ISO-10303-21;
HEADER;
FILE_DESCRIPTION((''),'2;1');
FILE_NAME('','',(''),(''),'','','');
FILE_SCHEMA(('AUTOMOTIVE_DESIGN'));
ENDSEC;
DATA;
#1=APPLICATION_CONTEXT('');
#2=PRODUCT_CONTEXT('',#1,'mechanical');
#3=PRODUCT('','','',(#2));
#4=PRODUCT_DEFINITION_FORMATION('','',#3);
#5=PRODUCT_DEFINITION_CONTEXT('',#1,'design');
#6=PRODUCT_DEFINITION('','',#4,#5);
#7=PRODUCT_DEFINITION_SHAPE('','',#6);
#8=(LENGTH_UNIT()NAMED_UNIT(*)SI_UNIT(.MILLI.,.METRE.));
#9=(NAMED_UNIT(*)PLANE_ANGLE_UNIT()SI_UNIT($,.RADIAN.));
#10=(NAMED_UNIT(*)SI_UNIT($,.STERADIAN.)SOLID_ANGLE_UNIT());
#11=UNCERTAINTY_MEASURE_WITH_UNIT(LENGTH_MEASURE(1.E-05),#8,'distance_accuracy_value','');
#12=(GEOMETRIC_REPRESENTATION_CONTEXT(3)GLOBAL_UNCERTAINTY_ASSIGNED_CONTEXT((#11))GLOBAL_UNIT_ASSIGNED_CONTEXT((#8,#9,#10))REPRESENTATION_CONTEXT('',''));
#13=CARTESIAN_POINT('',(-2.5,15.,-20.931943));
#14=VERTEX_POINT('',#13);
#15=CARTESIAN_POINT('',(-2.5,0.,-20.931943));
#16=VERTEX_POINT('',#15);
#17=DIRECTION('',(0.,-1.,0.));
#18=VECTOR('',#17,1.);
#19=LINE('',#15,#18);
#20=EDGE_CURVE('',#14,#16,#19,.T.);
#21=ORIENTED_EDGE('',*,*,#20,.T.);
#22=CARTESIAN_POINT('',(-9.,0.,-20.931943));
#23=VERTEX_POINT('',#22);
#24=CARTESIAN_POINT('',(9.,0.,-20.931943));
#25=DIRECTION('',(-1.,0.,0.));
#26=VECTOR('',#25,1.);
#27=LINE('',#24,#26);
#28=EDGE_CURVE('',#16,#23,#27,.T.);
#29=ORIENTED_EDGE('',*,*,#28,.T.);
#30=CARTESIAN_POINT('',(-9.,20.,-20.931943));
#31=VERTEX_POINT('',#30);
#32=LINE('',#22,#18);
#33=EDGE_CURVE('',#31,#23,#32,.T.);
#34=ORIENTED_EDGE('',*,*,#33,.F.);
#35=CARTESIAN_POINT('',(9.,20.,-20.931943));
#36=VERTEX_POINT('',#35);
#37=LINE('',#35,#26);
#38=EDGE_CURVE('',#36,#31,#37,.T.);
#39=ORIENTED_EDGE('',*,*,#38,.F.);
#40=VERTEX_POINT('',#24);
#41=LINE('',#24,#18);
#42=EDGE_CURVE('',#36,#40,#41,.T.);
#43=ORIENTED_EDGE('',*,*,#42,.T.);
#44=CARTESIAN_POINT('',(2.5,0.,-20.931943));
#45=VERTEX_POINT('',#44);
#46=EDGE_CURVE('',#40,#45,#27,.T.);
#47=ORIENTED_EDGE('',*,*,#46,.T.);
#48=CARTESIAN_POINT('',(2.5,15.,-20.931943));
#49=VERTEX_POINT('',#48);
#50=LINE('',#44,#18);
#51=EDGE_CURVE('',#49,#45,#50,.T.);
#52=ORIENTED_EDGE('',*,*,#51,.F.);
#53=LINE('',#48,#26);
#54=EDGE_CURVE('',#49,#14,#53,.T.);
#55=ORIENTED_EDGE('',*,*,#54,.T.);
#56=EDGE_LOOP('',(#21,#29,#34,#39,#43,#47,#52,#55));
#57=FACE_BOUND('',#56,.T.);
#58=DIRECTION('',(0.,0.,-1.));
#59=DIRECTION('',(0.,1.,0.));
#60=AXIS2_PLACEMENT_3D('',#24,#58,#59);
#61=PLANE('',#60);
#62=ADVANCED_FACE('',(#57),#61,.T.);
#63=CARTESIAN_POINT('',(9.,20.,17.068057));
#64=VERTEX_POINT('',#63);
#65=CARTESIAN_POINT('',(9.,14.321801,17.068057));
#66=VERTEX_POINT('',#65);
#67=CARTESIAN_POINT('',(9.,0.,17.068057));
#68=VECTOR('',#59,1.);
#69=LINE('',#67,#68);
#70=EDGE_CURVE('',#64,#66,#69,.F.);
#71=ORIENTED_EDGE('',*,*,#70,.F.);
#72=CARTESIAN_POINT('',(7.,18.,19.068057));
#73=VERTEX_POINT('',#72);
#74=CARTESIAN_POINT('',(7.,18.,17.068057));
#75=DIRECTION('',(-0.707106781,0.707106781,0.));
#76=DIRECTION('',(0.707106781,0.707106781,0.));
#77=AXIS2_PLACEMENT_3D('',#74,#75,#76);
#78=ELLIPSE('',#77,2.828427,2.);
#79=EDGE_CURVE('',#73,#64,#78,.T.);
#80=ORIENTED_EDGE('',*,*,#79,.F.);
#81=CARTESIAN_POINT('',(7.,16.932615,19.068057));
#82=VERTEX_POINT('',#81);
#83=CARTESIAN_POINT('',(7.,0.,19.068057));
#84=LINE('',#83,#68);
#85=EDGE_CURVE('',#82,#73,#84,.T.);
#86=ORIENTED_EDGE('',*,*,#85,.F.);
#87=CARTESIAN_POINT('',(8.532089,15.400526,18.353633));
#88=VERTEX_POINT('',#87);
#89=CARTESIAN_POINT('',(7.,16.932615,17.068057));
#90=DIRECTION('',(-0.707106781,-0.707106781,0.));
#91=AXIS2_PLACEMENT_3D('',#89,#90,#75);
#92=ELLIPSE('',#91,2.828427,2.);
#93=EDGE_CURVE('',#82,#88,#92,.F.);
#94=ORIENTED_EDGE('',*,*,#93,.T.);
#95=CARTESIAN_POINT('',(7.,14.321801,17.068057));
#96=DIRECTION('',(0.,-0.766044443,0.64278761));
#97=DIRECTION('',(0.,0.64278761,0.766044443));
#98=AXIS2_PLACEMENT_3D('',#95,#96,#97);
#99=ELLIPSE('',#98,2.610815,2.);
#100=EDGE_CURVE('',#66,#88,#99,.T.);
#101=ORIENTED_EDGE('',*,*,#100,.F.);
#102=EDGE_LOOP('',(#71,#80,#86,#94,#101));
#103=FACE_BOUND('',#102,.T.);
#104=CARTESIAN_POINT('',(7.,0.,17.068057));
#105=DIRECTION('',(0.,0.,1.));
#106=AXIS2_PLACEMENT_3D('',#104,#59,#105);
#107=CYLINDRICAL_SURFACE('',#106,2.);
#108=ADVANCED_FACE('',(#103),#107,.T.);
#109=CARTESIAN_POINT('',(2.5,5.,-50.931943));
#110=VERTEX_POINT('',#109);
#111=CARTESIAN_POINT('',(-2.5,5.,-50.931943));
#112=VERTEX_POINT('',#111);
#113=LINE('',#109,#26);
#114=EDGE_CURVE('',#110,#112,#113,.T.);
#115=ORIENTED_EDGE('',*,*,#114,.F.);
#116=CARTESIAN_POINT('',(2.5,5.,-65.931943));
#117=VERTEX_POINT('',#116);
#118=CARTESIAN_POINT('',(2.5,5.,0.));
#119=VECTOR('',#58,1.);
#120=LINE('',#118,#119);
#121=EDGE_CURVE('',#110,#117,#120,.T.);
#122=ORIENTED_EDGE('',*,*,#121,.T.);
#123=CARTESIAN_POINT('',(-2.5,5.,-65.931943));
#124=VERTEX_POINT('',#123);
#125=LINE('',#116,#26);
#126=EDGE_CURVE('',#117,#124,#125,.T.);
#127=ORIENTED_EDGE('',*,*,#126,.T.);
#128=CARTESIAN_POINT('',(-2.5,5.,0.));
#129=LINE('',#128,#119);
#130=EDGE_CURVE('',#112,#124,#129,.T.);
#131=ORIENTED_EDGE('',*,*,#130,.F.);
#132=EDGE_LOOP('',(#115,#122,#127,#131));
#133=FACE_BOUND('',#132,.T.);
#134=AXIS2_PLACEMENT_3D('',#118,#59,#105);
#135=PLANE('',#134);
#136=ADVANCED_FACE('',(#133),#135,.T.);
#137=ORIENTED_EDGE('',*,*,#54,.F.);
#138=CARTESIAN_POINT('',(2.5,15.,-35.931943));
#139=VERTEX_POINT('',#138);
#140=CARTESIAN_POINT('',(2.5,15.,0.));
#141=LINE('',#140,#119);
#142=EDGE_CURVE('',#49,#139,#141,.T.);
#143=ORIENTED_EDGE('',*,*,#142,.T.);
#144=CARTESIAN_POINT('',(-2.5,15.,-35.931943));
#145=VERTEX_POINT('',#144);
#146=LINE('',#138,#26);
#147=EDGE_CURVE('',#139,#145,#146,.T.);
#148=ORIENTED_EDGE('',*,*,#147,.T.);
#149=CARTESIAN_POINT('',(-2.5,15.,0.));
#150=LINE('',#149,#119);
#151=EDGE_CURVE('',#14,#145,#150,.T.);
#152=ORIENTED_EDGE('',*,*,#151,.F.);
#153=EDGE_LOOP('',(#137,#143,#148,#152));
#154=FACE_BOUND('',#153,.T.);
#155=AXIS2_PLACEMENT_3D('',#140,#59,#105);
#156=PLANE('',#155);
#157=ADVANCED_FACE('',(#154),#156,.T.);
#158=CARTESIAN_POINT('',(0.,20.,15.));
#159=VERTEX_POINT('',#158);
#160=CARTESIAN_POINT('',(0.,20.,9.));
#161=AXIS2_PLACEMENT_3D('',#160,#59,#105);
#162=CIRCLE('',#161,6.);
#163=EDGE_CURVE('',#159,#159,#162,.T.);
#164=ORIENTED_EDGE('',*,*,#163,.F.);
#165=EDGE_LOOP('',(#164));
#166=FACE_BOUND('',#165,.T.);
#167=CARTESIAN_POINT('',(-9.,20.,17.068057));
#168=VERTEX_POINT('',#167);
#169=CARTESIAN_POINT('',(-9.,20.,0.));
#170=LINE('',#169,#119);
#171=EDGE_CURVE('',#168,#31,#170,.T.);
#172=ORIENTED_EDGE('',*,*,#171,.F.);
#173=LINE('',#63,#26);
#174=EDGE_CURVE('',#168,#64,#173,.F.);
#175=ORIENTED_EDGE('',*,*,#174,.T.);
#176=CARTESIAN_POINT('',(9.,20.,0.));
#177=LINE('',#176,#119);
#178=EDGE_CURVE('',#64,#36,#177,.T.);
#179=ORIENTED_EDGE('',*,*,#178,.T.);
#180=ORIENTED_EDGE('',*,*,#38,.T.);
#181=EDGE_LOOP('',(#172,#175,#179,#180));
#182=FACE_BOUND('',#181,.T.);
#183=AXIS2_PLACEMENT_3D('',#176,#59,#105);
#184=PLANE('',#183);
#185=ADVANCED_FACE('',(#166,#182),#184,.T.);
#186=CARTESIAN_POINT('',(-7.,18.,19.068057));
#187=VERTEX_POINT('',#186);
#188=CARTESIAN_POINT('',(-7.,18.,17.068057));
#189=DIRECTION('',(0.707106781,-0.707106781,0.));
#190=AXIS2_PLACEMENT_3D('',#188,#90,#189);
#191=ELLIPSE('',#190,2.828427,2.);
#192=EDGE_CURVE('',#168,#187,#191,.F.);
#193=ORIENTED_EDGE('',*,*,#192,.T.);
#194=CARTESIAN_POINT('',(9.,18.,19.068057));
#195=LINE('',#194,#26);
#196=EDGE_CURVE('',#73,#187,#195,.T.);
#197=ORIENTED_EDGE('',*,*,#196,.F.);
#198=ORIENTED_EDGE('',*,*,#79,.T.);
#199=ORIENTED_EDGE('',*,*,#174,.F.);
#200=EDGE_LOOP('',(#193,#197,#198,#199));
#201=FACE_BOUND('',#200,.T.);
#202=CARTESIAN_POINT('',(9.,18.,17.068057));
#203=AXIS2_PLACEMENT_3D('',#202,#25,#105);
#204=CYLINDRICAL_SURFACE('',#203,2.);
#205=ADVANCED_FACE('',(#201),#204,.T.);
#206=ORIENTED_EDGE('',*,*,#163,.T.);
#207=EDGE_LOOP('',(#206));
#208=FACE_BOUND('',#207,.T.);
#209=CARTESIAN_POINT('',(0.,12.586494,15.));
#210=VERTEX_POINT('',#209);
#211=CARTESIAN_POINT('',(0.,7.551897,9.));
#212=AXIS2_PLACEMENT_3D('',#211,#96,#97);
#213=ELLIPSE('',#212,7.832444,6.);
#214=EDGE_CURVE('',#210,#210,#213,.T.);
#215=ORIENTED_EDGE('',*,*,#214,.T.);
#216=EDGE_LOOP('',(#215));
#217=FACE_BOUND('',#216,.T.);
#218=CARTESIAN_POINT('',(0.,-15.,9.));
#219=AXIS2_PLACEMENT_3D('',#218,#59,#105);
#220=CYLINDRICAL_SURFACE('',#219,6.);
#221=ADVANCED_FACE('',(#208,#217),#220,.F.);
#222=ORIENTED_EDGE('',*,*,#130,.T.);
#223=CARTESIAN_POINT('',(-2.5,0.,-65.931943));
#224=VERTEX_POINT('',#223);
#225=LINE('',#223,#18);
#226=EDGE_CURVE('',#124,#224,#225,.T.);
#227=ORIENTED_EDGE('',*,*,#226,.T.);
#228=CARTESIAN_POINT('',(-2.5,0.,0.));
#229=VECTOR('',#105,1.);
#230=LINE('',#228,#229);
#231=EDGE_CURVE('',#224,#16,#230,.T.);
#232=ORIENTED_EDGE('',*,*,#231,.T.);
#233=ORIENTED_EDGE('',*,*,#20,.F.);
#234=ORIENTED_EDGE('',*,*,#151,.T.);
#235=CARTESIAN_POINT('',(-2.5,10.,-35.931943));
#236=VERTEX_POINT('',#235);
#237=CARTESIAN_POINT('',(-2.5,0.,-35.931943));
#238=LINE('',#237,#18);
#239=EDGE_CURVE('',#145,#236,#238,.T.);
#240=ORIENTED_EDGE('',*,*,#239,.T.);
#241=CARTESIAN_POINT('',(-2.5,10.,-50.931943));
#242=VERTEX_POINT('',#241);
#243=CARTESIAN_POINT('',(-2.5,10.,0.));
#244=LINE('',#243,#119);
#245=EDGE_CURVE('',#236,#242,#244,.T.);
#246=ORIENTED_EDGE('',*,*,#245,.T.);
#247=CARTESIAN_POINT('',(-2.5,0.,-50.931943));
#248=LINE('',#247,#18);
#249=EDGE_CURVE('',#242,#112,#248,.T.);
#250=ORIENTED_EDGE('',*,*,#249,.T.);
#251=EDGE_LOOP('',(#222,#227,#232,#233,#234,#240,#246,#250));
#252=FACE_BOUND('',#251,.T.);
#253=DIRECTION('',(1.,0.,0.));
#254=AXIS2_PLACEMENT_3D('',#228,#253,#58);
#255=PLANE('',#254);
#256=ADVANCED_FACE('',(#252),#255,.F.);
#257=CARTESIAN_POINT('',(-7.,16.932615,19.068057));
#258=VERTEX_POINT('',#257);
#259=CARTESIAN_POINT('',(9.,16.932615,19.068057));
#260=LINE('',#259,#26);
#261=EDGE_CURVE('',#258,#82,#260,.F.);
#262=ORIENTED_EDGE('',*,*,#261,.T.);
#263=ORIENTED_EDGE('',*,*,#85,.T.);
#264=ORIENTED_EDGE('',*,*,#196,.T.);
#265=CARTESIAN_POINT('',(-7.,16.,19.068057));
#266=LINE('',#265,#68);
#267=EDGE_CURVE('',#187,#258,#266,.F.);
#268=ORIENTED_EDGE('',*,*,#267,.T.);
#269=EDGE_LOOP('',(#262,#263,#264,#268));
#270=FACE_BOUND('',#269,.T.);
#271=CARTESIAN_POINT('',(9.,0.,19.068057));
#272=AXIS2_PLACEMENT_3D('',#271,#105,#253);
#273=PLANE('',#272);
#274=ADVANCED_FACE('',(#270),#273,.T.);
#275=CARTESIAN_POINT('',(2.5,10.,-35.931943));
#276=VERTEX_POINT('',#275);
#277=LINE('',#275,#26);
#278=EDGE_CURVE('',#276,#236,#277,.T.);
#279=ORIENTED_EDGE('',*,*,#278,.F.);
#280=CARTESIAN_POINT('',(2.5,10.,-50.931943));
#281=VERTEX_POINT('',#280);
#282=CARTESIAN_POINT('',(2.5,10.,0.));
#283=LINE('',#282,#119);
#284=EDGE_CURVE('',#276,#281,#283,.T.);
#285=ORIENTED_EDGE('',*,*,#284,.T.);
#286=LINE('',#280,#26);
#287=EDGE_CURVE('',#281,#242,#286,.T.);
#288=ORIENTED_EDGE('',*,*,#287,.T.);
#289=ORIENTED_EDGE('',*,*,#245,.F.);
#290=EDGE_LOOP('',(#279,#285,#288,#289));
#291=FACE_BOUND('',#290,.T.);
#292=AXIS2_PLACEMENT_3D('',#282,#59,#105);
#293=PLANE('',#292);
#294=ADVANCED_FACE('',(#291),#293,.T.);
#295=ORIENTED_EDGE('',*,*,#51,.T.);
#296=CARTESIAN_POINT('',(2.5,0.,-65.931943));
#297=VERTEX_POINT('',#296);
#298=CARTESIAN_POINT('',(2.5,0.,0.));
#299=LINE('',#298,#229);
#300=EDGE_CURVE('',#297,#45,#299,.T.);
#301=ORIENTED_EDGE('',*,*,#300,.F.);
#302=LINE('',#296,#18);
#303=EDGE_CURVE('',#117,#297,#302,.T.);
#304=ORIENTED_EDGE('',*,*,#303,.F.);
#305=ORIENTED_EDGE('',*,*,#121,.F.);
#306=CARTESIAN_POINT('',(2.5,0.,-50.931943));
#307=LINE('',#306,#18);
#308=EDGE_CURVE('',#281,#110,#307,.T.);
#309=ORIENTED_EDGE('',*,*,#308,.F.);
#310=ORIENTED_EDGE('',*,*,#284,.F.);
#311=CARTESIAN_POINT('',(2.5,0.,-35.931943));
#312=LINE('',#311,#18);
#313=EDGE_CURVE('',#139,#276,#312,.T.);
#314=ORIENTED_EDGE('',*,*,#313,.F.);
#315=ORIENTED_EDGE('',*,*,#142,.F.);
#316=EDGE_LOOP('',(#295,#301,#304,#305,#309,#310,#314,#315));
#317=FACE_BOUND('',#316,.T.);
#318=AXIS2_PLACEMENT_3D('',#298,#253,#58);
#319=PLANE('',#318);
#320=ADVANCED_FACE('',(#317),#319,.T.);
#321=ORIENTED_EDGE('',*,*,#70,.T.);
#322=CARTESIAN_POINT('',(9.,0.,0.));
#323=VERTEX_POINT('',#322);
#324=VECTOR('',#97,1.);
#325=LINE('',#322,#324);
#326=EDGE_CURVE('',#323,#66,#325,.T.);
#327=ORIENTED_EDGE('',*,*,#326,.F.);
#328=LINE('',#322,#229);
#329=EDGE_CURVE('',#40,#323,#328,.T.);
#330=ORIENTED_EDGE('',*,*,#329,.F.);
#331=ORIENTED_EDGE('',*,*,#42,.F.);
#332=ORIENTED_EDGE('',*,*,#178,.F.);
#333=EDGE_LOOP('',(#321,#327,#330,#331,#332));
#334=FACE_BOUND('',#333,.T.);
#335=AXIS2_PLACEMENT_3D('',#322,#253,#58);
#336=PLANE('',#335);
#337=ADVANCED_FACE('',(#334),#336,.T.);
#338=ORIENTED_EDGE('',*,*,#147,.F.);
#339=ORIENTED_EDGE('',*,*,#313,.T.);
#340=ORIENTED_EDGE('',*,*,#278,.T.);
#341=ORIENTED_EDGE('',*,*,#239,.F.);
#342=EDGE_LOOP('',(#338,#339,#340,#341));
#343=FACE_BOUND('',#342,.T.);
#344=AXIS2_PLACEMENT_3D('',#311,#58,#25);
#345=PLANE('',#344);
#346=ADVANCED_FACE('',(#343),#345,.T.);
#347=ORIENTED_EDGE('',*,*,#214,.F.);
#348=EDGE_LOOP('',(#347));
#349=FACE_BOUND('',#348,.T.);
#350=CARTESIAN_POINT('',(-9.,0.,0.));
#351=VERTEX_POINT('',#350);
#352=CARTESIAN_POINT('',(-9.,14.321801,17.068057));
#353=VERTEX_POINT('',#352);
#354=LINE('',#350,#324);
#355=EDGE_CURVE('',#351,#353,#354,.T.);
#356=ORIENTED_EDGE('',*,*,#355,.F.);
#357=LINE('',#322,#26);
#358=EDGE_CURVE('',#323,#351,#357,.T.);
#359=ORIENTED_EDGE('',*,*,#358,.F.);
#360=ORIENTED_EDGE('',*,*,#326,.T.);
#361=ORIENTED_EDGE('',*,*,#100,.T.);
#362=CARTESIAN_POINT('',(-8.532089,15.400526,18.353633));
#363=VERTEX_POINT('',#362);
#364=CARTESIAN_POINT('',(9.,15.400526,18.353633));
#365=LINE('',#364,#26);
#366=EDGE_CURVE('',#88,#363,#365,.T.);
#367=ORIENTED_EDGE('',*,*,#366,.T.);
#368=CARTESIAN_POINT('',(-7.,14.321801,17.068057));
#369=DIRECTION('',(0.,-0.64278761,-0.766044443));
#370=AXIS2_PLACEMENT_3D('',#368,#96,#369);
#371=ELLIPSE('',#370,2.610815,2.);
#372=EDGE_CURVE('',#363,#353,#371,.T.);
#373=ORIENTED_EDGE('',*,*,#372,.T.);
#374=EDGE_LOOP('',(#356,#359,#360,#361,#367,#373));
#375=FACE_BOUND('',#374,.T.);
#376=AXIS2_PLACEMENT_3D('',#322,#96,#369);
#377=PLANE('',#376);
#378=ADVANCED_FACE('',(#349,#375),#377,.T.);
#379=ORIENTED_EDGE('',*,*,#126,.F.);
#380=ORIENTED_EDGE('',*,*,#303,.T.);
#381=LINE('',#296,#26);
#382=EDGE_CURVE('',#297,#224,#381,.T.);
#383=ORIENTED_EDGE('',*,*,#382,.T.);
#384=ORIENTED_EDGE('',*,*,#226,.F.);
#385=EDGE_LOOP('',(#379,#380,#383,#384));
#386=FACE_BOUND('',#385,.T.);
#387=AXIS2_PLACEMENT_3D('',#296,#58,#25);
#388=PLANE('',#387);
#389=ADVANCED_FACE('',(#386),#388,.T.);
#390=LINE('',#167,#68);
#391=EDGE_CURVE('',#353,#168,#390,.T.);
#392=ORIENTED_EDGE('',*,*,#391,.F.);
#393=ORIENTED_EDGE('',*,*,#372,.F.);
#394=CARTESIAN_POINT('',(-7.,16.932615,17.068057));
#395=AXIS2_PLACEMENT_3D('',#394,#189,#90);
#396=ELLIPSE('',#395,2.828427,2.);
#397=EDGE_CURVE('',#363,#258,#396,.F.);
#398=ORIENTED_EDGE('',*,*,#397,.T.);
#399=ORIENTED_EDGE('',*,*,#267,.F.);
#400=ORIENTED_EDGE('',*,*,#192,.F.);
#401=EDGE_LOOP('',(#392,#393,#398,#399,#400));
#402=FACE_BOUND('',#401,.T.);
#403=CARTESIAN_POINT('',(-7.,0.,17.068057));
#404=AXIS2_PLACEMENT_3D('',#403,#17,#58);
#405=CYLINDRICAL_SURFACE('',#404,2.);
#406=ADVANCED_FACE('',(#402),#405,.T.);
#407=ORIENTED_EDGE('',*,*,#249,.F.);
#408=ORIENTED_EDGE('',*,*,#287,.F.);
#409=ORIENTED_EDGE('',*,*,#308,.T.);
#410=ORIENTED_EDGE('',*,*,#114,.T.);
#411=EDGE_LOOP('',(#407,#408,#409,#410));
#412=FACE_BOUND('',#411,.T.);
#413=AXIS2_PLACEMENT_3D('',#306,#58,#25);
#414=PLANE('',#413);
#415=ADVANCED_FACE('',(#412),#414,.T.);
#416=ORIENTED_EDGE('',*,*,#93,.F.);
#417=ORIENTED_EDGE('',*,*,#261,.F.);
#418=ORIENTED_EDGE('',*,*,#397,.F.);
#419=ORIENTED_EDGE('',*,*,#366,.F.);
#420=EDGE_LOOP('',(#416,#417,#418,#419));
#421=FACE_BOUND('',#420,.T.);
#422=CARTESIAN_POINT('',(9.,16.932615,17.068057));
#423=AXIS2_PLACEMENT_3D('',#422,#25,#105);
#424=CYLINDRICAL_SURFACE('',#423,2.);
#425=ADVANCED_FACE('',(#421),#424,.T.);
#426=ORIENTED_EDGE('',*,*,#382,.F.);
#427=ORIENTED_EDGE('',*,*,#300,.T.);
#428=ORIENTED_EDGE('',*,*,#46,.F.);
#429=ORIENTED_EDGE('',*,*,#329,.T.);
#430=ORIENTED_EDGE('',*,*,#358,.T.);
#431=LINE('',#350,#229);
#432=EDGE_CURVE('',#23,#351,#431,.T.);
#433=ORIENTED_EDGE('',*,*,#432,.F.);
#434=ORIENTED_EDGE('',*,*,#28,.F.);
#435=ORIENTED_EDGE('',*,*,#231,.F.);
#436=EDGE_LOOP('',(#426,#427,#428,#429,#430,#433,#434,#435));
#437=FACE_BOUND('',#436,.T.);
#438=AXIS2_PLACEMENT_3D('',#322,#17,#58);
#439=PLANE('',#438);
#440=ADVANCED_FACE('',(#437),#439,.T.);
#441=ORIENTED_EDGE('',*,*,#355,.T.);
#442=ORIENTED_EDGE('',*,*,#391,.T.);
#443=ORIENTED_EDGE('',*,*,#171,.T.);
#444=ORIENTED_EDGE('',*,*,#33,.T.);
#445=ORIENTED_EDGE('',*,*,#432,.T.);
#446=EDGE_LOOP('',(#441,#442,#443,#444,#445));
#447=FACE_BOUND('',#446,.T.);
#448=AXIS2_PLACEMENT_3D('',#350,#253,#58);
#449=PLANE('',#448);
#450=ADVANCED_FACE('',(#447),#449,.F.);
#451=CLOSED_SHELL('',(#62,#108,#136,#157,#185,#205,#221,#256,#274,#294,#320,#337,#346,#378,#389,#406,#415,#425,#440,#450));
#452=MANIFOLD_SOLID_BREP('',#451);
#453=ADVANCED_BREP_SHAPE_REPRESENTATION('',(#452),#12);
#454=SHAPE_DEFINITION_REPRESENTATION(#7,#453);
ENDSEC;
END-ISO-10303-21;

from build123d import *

# Parameters (mm, degrees)
EXTRUDE_1_DEPTH     = 9
EXTRUDE_2_DEPTH     = 2.5
SKETCH_2_R          = 6
CUT_EXTRUDE_1_DEPTH = 35
FILLET_2_R          = 2


with BuildPart() as part:
    # Эскиз1 → Бобышка-Вытянуть1 (new, symmetric)
    with BuildSketch(Plane(origin=(0, 0, 0), x_dir=(0, 0, -1), z_dir=(1, 0, 0))):
        Polygon((-19.068057482, 16), (0, 0), (20.931942518, 0), (20.931942518, 15), (20.931942518, 20), (-19.068057482, 20), align=None)
    extrude(amount=EXTRUDE_1_DEPTH, both=True)

    # Эскиз1<3> → Бобышка-Вытянуть2 (add, symmetric)
    with BuildSketch(Plane(origin=(0, 0, 0), x_dir=(0, 0, -1), z_dir=(1, 0, 0))):
        Polygon((20.931942518, 15), (20.931942518, 0), (65.931942518, 0), (65.931942518, 5), (50.931942518, 5), (50.931942518, 10), (35.931942518, 10), (35.931942518, 15), align=None)
    extrude(amount=EXTRUDE_2_DEPTH, both=True)

    # Эскиз2 → Вырез-Вытянуть1 (cut)
    with BuildSketch(Plane(origin=(0, 20, 0), x_dir=(1, 0, 0), z_dir=(0, 1, 0))):
        with Locations((0, -9)):
            Circle(SKETCH_2_R)
    extrude(amount=-CUT_EXTRUDE_1_DEPTH, mode=Mode.SUBTRACT)

    # Скругление2
    fillet_2_edges = [part.edges().sort_by_distance(p)[0] for p in [
        (0, 20, 19.068057482),
        (9, 18, 19.068057482),
        (0, 16, 19.068057482),
        (-9, 18, 19.068057482),
    ]]
    fillet(fillet_2_edges, radius=FILLET_2_R)


solid = part.part
